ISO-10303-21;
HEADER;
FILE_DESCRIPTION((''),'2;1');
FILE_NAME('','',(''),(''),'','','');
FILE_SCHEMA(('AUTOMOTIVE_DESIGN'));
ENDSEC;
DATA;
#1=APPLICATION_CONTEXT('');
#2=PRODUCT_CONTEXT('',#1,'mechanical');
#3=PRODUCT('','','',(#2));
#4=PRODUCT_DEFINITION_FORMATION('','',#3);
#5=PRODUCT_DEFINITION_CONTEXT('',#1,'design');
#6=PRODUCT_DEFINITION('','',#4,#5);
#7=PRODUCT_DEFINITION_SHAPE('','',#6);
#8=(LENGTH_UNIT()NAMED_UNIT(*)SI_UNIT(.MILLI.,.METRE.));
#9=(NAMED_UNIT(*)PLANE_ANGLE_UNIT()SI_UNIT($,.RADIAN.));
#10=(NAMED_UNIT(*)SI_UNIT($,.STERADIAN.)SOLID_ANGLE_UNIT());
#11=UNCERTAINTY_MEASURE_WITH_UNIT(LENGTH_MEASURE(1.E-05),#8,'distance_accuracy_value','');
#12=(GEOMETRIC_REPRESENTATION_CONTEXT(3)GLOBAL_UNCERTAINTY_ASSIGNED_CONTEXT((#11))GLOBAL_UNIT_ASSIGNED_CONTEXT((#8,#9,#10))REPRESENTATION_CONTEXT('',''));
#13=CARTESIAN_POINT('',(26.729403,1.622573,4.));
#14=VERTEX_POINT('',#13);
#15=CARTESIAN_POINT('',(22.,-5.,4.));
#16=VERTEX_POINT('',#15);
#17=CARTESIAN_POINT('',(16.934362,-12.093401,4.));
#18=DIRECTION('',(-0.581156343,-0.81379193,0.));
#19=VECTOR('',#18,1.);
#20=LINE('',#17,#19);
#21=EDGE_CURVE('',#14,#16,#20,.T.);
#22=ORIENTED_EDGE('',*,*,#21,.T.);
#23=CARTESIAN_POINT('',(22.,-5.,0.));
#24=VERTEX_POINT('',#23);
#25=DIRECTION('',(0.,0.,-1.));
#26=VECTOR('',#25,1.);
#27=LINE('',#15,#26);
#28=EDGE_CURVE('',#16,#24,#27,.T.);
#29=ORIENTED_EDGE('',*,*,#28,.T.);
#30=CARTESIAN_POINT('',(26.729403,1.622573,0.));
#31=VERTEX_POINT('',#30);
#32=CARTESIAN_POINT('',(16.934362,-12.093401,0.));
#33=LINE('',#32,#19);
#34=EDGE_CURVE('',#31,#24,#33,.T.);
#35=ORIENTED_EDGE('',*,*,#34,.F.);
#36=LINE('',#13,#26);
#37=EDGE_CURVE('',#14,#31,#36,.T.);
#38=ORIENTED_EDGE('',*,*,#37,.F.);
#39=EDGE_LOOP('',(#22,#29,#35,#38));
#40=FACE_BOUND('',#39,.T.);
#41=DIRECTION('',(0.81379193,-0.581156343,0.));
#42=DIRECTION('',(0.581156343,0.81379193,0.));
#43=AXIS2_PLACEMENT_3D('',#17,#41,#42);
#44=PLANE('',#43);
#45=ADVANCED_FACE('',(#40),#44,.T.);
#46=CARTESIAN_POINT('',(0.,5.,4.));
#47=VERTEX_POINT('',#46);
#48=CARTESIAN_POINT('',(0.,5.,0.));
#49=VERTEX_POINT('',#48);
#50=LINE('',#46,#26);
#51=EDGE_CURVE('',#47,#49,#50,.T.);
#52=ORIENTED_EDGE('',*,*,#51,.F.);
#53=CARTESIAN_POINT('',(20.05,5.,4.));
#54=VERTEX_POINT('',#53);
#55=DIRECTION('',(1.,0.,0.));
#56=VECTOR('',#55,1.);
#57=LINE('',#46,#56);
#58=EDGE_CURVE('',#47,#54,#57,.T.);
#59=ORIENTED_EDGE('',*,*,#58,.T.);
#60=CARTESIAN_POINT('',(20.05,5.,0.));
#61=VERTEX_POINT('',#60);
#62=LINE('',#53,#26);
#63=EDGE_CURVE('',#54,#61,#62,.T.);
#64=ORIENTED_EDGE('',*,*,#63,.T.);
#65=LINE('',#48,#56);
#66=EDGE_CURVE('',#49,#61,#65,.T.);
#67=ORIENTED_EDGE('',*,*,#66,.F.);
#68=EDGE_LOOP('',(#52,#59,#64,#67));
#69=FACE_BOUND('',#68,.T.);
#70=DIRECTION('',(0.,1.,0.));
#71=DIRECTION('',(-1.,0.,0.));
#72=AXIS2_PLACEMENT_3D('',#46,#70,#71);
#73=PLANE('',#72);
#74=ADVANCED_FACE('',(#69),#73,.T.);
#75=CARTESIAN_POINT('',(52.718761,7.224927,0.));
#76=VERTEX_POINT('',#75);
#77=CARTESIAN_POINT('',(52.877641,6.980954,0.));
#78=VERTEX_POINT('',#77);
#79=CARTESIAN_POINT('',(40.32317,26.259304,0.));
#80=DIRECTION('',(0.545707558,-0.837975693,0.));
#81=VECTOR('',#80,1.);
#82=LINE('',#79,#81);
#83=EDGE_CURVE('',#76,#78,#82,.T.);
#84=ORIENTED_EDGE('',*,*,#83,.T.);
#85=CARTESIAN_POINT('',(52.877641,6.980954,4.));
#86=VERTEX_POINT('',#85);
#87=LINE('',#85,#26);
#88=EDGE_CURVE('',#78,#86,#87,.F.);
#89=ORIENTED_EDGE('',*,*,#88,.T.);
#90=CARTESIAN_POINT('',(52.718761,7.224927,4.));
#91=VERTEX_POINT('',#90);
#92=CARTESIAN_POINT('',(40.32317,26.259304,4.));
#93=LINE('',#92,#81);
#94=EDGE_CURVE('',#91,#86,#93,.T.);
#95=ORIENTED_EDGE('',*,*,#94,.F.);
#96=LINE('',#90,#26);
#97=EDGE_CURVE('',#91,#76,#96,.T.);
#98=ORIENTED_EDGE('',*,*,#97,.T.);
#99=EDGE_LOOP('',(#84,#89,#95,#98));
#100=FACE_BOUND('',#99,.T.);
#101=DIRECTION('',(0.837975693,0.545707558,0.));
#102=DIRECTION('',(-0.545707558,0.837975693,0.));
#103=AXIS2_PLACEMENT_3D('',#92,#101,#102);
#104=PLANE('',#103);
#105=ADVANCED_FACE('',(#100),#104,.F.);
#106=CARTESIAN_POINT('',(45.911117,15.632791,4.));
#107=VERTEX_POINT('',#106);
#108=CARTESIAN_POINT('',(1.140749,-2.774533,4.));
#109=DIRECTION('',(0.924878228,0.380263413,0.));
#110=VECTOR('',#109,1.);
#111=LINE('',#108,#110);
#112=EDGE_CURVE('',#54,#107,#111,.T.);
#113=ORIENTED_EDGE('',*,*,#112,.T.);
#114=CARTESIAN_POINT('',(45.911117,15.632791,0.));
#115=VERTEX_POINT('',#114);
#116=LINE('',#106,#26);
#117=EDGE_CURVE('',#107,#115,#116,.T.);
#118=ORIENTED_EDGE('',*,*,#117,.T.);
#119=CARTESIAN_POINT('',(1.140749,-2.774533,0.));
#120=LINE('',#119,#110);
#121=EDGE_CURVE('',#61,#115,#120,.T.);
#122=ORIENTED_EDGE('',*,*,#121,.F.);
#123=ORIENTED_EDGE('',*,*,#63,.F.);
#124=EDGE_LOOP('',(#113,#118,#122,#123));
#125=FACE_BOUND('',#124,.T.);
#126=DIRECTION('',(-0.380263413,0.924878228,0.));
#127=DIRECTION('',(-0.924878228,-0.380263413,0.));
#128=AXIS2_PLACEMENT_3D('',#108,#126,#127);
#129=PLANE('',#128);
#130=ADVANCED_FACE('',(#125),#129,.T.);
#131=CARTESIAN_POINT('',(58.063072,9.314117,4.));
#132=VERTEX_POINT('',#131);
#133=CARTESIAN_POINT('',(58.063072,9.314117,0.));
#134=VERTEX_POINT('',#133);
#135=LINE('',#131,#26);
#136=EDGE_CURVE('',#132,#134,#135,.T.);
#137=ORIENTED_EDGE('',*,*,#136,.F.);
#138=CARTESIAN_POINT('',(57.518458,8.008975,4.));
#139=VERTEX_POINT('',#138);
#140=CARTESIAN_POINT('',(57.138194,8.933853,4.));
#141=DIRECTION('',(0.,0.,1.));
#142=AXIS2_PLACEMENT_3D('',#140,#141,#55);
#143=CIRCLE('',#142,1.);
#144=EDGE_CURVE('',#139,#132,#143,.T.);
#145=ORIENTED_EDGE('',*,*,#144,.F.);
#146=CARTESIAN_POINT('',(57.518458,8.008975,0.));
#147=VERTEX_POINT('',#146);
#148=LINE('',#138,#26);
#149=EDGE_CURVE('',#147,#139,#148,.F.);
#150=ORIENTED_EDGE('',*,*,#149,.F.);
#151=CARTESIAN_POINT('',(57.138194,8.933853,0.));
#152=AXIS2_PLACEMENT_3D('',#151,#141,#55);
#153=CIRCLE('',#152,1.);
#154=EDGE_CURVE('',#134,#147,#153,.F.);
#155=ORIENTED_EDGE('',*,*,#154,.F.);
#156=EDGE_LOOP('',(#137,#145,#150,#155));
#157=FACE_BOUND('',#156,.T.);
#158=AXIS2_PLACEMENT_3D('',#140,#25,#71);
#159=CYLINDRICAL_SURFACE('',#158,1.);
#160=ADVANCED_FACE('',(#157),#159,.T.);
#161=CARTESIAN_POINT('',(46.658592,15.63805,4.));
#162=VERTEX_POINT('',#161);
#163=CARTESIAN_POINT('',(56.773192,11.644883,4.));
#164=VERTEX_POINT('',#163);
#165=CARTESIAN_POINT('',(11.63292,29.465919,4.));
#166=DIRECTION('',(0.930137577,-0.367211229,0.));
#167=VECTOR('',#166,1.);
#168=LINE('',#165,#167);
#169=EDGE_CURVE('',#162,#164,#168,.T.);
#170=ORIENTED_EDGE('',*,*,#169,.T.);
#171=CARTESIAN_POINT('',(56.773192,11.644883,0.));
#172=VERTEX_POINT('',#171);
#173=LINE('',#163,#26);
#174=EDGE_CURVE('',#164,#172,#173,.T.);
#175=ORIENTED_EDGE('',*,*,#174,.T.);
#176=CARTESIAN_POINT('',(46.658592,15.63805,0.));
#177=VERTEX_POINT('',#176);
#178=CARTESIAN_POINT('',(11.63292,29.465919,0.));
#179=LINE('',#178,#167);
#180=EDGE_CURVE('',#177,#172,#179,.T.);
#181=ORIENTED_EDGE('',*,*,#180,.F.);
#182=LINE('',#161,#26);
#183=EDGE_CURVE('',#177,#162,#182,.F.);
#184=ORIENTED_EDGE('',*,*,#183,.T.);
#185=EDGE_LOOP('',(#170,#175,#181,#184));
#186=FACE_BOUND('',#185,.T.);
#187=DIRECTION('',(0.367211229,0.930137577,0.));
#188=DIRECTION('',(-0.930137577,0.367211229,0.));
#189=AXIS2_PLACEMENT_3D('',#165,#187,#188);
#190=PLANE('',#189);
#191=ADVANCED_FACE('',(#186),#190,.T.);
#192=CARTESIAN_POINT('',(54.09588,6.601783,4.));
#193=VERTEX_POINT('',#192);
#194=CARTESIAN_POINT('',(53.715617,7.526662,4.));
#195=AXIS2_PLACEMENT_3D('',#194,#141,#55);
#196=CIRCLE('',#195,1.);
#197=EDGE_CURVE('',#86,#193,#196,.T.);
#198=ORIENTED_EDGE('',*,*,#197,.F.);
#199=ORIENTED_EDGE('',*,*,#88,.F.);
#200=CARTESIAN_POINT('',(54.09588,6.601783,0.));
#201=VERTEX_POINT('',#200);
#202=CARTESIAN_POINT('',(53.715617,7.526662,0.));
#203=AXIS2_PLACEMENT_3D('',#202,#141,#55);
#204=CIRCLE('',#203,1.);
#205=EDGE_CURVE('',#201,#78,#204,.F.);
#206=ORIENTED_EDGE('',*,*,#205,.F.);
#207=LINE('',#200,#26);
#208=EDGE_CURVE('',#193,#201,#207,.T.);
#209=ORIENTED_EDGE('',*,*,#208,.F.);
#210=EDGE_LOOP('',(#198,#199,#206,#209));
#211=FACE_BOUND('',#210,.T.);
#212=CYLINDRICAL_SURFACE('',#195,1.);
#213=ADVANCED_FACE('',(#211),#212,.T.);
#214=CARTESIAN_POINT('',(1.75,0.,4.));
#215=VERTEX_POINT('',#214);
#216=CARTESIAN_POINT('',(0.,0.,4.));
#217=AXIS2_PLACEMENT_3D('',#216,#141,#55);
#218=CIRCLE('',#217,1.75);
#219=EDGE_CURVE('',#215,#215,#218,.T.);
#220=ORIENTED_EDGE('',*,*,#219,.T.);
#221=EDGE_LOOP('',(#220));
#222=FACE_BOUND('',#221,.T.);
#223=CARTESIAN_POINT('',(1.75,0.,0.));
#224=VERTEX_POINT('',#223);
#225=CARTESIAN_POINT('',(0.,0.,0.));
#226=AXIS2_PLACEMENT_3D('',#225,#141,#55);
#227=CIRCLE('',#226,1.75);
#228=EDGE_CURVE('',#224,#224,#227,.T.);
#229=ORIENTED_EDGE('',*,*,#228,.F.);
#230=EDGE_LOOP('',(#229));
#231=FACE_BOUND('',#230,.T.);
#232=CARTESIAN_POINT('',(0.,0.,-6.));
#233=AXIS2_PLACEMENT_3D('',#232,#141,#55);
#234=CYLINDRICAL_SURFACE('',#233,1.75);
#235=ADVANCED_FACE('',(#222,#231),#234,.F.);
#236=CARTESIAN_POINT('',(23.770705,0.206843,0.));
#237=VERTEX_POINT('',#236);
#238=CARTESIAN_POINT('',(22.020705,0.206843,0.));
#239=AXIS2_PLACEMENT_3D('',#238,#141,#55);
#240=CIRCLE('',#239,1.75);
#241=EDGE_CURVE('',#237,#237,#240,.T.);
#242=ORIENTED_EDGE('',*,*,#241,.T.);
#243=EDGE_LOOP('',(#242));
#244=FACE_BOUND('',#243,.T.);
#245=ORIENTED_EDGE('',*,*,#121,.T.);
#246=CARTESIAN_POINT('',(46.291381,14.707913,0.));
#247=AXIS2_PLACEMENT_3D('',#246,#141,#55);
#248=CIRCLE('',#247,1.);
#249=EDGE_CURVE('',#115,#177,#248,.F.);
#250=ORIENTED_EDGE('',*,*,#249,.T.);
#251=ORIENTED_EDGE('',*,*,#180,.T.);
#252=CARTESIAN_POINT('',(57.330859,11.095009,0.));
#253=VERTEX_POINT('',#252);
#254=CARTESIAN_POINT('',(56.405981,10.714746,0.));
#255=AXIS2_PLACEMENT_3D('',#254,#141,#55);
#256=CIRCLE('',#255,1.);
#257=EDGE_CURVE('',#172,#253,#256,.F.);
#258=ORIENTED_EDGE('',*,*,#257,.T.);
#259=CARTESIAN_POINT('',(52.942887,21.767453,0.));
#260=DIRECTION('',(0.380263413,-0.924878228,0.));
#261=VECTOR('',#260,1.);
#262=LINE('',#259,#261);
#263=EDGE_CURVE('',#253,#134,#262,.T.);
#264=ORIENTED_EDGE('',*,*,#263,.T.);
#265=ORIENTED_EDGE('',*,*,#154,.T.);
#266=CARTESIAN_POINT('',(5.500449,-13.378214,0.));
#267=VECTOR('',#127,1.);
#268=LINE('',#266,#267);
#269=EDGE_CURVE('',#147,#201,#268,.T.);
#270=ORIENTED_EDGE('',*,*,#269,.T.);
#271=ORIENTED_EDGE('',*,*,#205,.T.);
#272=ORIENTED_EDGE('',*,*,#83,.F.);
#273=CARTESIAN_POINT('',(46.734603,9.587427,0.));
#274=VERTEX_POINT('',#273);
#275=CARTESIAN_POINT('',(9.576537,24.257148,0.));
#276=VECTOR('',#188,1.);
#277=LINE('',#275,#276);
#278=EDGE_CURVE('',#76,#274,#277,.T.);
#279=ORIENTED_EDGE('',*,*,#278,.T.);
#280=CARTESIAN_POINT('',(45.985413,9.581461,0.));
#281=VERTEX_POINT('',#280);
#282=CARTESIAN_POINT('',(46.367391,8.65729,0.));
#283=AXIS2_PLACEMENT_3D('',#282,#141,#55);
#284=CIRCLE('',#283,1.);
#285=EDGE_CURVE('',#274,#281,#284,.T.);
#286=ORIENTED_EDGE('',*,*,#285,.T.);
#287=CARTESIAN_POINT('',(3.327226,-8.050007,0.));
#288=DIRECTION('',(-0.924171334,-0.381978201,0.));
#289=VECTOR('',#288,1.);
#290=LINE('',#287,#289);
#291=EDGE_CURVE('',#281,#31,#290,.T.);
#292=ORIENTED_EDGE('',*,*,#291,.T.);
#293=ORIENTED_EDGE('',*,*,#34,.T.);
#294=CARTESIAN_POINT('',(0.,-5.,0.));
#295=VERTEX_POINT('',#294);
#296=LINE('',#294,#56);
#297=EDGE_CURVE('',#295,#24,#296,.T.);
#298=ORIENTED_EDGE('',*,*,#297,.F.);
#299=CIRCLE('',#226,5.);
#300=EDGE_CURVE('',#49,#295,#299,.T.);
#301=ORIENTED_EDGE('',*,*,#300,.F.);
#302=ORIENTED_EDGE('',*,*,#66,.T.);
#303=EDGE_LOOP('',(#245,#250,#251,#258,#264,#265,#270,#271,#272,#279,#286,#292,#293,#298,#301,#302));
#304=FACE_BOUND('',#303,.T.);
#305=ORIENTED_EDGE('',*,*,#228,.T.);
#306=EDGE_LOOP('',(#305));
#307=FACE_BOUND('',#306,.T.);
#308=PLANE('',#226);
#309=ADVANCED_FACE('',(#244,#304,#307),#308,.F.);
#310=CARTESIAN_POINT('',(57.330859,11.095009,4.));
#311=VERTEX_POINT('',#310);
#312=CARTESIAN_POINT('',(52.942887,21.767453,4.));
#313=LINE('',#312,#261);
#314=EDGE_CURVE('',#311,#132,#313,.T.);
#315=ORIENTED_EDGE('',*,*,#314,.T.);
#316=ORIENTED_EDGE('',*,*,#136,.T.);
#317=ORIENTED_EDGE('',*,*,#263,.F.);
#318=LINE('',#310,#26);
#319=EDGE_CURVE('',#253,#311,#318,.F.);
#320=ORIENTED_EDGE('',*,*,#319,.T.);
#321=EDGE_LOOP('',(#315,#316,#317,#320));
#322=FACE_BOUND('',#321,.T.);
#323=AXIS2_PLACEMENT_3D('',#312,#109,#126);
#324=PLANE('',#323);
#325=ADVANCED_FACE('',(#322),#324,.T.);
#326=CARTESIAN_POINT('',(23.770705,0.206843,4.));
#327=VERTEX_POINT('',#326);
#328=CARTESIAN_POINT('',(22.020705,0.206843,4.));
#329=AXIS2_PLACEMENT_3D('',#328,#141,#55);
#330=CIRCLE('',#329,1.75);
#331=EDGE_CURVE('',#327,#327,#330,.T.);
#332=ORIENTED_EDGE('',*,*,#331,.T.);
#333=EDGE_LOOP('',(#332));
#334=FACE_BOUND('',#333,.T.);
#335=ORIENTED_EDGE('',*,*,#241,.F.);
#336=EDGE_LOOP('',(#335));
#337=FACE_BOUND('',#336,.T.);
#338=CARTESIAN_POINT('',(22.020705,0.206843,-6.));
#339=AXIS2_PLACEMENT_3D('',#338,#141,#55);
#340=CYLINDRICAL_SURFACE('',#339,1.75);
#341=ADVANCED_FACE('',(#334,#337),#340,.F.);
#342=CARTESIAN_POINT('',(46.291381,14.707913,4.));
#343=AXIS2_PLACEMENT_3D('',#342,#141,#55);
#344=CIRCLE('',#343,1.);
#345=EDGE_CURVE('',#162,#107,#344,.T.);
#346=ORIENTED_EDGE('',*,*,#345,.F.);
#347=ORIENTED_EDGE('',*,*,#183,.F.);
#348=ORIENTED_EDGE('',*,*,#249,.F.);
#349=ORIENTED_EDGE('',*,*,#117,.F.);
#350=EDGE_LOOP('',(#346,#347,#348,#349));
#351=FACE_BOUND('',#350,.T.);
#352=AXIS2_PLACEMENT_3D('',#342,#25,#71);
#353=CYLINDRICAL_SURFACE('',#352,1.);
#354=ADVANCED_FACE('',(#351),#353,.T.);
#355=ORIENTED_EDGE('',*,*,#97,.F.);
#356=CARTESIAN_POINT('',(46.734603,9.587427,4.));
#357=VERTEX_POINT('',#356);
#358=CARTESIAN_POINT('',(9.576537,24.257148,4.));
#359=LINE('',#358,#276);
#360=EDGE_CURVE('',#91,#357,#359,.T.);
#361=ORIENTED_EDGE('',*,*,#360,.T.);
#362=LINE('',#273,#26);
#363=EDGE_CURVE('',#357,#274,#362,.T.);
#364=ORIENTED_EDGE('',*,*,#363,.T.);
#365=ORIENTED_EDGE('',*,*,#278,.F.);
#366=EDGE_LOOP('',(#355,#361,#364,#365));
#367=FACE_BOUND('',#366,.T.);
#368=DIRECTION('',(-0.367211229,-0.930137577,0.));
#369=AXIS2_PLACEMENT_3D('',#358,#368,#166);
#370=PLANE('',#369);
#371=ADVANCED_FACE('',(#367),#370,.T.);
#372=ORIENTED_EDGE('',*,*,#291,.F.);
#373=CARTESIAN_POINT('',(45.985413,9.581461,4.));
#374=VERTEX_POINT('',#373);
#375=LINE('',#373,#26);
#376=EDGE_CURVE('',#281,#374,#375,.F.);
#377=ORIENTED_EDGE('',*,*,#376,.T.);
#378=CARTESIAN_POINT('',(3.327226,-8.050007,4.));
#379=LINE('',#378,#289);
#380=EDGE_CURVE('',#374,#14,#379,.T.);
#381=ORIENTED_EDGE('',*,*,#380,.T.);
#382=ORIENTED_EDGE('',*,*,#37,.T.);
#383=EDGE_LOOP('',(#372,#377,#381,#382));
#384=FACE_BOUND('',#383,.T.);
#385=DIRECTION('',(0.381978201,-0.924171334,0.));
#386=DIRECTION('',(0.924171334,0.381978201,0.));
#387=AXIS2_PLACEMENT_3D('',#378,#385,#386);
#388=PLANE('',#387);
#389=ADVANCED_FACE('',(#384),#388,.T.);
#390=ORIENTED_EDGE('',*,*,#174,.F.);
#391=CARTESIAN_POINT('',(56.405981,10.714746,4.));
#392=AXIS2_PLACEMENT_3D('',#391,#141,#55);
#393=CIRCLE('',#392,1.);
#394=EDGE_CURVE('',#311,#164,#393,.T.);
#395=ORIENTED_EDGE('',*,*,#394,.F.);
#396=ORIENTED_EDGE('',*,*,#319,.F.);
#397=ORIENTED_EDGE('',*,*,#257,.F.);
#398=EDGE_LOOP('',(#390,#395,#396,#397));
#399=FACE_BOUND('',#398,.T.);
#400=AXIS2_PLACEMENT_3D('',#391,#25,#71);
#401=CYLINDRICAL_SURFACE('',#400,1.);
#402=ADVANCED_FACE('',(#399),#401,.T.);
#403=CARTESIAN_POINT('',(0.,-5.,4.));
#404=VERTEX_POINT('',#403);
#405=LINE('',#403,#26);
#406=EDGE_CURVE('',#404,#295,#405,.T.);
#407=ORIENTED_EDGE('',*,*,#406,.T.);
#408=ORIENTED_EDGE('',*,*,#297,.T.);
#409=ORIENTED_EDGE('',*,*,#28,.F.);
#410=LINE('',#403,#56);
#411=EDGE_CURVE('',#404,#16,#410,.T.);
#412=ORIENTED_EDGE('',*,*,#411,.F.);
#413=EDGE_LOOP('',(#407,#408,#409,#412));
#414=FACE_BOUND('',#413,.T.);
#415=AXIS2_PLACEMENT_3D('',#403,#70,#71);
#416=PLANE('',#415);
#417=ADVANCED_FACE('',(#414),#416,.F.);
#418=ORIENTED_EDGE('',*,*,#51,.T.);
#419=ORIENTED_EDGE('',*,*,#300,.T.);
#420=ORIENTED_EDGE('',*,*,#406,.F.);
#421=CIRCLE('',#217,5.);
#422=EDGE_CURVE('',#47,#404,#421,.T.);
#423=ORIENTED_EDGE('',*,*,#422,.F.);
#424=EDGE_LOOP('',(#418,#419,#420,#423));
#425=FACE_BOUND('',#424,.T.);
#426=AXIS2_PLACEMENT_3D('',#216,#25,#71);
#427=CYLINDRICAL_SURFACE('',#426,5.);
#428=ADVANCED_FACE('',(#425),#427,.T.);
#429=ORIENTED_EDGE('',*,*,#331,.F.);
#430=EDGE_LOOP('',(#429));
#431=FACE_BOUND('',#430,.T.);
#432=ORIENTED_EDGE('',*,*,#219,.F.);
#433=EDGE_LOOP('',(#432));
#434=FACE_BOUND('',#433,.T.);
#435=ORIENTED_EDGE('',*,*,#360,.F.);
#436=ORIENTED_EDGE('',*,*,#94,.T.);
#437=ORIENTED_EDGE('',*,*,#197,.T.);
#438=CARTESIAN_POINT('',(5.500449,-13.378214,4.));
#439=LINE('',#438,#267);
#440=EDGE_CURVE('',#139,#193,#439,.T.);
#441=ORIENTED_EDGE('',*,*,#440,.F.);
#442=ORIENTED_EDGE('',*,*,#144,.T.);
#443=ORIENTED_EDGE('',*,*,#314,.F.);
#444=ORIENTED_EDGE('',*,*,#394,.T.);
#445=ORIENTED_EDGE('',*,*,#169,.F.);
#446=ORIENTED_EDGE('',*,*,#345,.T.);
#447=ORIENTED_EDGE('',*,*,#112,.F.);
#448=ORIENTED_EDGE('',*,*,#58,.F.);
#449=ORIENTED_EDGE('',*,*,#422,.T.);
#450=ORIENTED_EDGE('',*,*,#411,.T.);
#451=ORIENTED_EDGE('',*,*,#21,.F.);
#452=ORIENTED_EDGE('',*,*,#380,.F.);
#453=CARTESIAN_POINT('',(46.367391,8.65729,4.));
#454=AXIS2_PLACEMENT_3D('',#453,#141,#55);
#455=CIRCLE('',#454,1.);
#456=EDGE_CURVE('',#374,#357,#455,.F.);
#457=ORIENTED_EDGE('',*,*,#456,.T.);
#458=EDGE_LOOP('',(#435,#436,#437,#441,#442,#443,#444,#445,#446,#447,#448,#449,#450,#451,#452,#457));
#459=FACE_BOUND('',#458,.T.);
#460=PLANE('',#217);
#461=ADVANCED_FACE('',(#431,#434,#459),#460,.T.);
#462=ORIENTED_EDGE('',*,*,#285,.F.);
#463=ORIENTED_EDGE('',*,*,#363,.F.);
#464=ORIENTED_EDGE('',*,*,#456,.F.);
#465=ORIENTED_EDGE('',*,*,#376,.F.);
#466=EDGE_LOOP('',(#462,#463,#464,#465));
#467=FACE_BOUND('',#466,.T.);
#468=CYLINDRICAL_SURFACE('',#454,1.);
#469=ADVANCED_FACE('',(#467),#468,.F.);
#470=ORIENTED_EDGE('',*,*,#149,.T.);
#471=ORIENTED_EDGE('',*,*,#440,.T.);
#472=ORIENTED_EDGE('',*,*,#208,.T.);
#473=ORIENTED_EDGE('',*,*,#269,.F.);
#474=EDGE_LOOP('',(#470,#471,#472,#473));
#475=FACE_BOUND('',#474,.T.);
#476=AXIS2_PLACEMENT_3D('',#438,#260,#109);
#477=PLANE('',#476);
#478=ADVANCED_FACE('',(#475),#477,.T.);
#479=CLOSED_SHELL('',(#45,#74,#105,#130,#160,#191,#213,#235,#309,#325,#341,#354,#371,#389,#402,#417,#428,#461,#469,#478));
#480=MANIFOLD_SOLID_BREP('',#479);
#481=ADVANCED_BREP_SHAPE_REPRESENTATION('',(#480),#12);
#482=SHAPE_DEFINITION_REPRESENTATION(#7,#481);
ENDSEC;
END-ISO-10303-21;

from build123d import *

# Parameters (mm, degrees)
SKETCH1_R               = 1.5
BOSS_EXTRUDE3_DEPTH     = 4
CONG_3_R                = 1
CONG_4_R                = 1
ESQUISSE1_R             = 1.75
ENL_V_MAT_EXTRU_1_DEPTH = 10


with BuildPart() as part:
    # Sketch1 → Boss-Extrude3 (new body)
    with BuildSketch(Plane.XY):
        with BuildLine():
            Line((20.05, 5), (0, 5))
            ThreePointArc((0, 5), (-5, 0), (0, -5))
            Line((0, -5), (22, -5))
            Line((22, -5), (26.729403417, 1.622573056))
            Line((26.729403417, 1.622573056), (46.35880254, 9.735790053))
            Line((46.35880254, 9.735790053), (52.718761051, 7.224926885))
            Line((52.718761051, 7.224926885), (53.329707658, 6.286771643))
            Line((53.329707658, 6.286771643), (58.443335859, 8.389238381))
            Line((58.443335859, 8.389238381), (57.169030474, 11.488609151))
            Line((57.169030474, 11.488609151), (46.283795068, 15.786017162))
            Line((46.283795068, 15.786017162), (20.05, 5))
        make_face()
        Circle(SKETCH1_R, mode=Mode.SUBTRACT)
        with Locations((22.020705275, 0.206842568)):
            Circle(SKETCH1_R, mode=Mode.SUBTRACT)
    extrude(amount=BOSS_EXTRUDE3_DEPTH)

    # Congé3
    cong_3_edges = [part.edges().sort_by_distance(p)[0] for p in [
        (58.443335859, 8.389238381, 2),
        (53.329707658, 6.286771643, 2),
        (46.35880254, 9.735790053, 2),
    ]]
    fillet(cong_3_edges, radius=CONG_3_R)

    # Congé4
    cong_4_edges = [part.edges().sort_by_distance(p)[0] for p in [
        (46.283795068, 15.786017162, 2),
        (57.169030474, 11.488609151, 2),
    ]]
    fillet(cong_4_edges, radius=CONG_4_R)

    # Esquisse1 → Enlèv. mat.-Extru.1 (cut)
    with BuildSketch(Plane.XY.offset(4)):
        with Locations((22.020705275, 0.206842568)):
            Circle(ESQUISSE1_R)
        Circle(ESQUISSE1_R)
    extrude(amount=-ENL_V_MAT_EXTRU_1_DEPTH, mode=Mode.SUBTRACT)


solid = part.part
